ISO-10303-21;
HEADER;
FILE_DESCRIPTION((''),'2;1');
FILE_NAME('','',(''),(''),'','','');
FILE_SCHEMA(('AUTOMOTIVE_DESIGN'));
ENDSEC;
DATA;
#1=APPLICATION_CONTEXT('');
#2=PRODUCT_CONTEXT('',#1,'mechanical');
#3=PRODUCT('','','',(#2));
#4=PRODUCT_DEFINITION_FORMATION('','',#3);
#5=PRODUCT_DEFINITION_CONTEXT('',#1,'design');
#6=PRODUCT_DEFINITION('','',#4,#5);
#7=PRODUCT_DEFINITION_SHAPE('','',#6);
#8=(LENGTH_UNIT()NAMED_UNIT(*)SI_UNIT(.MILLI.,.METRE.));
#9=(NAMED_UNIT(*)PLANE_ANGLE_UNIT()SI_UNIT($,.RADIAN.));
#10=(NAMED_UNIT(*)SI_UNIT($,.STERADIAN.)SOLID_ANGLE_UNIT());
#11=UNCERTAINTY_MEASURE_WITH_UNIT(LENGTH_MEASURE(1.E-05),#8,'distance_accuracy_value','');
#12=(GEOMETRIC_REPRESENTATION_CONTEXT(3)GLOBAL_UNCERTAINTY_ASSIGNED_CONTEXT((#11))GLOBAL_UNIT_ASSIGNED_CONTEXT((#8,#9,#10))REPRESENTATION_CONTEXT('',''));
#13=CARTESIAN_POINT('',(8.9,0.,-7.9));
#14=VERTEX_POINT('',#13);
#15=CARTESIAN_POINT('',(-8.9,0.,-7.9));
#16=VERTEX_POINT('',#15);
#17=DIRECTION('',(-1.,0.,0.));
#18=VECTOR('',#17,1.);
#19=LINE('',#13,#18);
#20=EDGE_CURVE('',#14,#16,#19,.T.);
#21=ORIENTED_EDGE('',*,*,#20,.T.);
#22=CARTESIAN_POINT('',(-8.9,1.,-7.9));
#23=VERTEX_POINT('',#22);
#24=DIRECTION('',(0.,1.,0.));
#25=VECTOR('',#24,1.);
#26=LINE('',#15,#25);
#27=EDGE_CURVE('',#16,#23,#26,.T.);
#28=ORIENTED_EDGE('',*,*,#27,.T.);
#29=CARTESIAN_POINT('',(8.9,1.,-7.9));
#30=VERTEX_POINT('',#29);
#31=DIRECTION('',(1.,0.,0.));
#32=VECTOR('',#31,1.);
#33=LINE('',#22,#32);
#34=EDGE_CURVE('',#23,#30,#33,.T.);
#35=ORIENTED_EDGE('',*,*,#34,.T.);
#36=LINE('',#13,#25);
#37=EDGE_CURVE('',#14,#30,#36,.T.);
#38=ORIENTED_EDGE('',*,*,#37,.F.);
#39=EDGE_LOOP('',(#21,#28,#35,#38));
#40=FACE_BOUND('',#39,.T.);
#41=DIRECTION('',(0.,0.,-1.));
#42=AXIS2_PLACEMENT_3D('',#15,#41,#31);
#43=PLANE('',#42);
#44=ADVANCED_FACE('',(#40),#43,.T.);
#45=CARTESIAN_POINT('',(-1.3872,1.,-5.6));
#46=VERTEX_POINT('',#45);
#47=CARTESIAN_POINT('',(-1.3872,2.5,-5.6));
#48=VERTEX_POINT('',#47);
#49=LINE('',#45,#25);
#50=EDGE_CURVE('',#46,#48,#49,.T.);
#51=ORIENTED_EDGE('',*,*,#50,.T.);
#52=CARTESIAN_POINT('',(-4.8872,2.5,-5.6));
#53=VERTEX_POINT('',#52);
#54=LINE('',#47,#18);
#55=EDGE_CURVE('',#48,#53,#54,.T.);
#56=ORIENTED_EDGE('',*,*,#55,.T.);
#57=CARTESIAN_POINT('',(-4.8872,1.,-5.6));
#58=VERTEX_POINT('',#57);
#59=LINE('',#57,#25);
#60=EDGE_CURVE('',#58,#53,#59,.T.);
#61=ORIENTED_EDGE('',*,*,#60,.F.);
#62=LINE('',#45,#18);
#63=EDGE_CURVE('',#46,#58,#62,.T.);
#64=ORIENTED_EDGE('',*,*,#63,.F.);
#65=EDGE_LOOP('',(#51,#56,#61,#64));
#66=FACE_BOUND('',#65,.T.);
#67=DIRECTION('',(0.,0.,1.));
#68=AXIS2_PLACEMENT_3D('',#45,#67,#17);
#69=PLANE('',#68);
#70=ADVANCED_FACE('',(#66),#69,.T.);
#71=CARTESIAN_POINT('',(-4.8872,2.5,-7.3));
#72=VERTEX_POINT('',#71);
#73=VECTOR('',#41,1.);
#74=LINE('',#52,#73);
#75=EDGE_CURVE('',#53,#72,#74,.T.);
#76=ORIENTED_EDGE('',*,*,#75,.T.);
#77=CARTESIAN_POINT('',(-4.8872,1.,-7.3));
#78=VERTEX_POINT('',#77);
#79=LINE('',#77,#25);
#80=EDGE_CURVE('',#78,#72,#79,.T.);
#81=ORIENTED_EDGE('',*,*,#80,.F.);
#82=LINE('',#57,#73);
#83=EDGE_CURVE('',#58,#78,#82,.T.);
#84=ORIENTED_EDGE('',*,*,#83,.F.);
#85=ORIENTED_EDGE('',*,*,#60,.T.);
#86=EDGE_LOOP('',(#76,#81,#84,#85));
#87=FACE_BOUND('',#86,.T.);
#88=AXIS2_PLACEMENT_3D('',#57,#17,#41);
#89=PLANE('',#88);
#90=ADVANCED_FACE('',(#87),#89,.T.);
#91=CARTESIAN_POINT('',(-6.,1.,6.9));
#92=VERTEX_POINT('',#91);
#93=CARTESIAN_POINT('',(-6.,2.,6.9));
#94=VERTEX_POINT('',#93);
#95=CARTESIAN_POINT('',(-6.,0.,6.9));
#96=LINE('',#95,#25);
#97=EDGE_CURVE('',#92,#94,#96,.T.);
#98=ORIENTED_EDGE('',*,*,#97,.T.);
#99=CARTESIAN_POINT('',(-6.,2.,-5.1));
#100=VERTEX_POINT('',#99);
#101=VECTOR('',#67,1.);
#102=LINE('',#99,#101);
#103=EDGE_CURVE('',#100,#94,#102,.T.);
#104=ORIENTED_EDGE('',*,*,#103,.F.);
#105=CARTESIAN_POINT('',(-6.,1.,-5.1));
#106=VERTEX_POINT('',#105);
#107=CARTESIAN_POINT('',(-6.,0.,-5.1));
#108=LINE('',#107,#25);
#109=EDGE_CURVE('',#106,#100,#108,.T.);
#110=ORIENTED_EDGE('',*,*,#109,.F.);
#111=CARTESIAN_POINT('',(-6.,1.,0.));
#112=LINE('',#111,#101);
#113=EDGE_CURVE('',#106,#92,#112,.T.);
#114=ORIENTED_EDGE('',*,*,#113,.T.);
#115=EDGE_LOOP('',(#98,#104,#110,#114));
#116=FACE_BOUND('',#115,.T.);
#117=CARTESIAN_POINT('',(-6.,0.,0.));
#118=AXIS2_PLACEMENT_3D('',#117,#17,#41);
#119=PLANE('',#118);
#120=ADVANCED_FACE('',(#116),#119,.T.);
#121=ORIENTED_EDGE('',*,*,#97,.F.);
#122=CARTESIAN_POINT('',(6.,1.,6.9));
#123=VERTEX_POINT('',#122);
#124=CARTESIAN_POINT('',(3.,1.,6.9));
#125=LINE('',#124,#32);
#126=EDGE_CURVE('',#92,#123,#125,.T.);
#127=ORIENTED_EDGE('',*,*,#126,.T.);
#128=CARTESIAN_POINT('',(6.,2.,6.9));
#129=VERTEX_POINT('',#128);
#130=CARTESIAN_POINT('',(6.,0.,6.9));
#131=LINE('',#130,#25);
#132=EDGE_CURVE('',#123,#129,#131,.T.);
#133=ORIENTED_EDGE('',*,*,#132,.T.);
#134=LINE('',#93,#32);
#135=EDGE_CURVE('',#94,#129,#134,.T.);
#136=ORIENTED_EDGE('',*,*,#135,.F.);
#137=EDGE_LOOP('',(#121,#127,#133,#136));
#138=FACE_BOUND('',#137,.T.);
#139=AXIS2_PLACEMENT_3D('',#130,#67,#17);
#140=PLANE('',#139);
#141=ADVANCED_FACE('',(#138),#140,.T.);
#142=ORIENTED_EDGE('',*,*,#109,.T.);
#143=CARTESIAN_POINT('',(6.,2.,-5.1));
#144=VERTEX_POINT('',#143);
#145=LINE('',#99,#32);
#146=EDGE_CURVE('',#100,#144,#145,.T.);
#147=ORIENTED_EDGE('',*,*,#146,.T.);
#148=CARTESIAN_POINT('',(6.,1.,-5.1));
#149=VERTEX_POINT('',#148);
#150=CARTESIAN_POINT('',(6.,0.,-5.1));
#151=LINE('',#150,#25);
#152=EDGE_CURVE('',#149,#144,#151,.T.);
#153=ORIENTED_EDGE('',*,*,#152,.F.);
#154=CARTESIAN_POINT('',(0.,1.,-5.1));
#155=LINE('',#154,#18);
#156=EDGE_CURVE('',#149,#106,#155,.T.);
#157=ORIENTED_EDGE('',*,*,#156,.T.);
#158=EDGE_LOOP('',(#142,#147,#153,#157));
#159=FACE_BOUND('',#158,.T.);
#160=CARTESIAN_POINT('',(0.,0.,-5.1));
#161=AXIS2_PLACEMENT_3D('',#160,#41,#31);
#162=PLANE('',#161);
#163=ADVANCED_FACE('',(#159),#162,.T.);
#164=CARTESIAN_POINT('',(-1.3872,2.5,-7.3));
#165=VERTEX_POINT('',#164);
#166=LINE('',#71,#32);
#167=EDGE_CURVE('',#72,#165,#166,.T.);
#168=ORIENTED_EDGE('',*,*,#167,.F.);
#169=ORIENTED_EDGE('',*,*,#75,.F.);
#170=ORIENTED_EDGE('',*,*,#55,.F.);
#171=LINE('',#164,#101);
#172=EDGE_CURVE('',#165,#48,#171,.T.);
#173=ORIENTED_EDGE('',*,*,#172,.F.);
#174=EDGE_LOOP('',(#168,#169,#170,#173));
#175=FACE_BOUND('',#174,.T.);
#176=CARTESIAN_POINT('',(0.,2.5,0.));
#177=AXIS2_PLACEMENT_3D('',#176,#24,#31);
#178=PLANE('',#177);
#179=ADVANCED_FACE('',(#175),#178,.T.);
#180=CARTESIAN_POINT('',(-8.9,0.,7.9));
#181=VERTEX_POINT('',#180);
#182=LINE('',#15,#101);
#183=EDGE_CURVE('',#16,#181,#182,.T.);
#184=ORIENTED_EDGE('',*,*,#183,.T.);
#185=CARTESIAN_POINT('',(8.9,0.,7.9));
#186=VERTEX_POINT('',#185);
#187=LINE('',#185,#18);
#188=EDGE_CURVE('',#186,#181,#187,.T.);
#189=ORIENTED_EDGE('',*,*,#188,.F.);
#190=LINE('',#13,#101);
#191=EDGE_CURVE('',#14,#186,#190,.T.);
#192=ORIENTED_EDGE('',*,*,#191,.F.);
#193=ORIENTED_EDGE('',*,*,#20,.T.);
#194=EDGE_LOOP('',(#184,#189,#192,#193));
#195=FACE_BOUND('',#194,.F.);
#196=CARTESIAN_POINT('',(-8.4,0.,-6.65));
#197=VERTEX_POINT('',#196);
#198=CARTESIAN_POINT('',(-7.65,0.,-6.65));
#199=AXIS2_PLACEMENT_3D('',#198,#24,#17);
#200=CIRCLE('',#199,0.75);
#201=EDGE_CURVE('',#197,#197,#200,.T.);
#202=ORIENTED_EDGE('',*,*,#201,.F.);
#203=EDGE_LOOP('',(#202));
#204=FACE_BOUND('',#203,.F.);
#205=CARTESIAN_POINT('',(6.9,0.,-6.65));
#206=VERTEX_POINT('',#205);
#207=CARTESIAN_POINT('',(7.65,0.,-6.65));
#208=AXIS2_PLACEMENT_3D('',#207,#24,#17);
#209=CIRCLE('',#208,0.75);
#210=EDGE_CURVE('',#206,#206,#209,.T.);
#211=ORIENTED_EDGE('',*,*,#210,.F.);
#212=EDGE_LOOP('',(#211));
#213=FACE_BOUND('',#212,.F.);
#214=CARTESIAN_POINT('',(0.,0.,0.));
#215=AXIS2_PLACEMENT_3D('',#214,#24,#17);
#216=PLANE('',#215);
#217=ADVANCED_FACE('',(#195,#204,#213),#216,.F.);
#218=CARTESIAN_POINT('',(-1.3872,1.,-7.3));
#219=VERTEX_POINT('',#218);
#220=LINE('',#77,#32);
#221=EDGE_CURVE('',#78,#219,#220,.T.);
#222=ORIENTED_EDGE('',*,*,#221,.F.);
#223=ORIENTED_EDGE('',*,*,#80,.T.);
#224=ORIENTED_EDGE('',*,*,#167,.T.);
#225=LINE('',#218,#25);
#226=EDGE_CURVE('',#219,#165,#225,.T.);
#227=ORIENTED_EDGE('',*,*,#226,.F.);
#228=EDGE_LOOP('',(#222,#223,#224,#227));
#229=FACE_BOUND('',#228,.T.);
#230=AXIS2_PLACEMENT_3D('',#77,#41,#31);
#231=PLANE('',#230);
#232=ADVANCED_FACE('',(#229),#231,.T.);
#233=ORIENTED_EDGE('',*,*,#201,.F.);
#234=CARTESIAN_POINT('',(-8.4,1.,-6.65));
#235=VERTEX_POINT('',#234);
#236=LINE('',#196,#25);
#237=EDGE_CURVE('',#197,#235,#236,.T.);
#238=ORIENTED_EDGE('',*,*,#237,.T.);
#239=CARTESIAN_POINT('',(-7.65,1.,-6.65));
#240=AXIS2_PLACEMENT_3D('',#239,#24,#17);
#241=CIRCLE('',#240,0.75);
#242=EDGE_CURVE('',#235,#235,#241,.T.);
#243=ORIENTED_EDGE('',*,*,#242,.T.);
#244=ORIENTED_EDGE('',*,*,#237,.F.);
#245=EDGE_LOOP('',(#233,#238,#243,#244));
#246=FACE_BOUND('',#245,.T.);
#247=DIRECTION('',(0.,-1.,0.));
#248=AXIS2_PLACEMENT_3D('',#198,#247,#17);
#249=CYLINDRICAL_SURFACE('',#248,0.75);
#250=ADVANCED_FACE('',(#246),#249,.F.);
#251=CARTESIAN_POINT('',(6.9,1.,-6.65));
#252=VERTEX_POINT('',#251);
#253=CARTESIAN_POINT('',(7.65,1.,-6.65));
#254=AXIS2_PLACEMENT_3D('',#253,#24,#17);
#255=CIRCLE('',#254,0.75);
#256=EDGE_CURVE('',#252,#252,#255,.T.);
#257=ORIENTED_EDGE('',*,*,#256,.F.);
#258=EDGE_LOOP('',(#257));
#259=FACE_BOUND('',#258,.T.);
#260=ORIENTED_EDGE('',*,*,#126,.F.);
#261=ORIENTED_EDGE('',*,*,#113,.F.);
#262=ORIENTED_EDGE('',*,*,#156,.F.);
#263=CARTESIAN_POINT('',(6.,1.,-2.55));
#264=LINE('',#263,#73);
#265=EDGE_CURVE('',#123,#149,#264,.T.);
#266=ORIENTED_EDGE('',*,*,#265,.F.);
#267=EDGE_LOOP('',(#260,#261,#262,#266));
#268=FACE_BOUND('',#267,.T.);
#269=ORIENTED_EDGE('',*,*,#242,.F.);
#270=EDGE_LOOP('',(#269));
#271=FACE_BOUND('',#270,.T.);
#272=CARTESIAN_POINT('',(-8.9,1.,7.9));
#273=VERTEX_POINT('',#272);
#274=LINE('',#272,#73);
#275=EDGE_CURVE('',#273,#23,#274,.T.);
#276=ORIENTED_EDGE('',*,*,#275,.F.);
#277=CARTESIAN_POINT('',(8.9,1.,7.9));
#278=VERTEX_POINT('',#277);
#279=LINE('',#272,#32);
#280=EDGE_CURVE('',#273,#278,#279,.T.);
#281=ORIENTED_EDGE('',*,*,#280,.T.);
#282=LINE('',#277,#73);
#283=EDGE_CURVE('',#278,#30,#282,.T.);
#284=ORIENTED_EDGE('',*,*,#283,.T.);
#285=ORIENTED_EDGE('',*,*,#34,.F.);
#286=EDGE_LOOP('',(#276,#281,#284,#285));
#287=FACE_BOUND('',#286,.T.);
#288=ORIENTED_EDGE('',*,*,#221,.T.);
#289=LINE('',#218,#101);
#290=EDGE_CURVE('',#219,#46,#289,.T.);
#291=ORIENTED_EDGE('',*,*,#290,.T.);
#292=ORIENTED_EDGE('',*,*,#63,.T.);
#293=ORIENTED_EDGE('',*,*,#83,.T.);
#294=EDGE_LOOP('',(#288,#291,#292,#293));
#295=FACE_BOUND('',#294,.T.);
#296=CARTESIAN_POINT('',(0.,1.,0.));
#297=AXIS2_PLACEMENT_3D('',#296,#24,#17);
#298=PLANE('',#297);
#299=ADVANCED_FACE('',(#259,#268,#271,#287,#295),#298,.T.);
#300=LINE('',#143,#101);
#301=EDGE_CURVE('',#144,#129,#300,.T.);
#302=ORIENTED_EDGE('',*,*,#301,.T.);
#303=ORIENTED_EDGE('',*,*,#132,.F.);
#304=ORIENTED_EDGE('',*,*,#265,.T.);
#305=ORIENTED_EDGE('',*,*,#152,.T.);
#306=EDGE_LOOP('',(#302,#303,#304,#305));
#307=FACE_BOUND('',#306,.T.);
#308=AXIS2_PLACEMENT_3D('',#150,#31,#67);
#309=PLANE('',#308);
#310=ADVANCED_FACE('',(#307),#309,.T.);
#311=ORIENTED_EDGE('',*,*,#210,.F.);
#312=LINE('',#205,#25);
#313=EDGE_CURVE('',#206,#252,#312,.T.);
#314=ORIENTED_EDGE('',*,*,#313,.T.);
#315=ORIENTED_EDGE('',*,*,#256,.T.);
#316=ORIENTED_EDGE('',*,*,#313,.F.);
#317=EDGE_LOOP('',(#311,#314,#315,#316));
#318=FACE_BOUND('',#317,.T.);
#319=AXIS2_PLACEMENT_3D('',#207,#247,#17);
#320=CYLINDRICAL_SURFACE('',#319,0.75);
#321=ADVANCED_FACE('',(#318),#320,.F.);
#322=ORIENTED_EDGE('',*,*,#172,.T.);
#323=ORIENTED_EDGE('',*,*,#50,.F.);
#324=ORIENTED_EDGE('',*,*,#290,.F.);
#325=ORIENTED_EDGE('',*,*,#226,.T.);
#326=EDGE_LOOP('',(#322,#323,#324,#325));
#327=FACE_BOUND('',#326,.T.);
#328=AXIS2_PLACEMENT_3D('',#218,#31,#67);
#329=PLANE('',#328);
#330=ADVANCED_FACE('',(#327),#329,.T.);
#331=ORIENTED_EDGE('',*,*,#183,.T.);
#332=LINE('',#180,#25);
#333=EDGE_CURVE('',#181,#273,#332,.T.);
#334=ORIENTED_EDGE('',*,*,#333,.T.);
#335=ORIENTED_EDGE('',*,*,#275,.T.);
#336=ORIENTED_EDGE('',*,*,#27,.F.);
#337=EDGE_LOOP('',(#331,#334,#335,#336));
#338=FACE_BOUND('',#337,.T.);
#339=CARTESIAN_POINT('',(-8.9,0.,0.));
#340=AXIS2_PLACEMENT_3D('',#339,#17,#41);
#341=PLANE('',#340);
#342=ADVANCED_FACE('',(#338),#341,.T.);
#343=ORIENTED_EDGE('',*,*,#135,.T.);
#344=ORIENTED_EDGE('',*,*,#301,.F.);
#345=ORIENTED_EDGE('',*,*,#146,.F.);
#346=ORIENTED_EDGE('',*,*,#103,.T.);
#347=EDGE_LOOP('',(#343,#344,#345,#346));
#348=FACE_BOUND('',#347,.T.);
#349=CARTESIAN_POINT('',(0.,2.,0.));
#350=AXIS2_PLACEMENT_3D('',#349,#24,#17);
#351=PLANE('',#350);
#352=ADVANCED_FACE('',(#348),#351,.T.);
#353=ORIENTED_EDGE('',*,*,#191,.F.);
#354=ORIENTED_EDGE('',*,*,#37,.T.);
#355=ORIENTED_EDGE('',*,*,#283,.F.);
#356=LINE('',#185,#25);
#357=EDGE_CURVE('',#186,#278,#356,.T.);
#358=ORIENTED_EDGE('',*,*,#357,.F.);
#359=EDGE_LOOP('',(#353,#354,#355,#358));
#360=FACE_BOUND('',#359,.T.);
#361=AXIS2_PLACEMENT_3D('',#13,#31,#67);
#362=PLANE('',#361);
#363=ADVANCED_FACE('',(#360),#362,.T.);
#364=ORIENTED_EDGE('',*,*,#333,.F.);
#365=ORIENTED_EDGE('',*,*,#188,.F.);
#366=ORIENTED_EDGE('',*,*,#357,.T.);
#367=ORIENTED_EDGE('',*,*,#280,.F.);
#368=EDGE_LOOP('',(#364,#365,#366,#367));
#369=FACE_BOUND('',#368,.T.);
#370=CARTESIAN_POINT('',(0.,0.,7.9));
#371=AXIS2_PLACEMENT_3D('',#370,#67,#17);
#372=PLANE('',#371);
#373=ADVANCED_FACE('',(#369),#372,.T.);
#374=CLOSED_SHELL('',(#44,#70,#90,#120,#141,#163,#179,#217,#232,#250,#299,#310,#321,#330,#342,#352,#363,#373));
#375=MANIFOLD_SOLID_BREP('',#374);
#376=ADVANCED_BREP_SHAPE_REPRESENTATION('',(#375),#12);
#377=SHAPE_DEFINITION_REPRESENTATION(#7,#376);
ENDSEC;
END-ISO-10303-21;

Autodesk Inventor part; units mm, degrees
ref_plane "YZ Plane" through (0, 0, 0) normal (1, 0, 0) x (0, 1, 0)
ref_plane "XZ Plane" through (0, 0, 0) normal (0, 1, 0) x (-1, 0, 0)
ref_plane "XY Plane" through (0, 0, 0) normal (0, 0, 1) x (1, 0, 0)
sketch "Skizze1" plane through (0, 0, 0) normal (0, 1, 0) x (-1, 0, 0)
  line L0 (8.9, -7.9) -> (-8.9, -7.9)
  line L1 (-8.9, -7.9) -> (-8.9, 7.9)
  line L2 (-8.9, 7.9) -> (8.9, 7.9)
  line L3 (8.9, 7.9) -> (8.9, -7.9)
  line L4 (12.46, 0) -> (-12.46, 0) projected
  line L5 (0, -11.06) -> (0, 11.06) projected
  line L6 (6, -5.1) -> (-6, -5.1)
  line L7 (-6, -5.1) -> (-6, 6.9)
  line L8 (-6, 6.9) -> (6, 6.9)
  line L9 (6, 6.9) -> (6, -5.1)
  circle A0 centre (7.65, -6.65) radius 0.75
  circle A1 centre (-7.65, -6.65) radius 0.75
  dimension "d0" = 17.8
  dimension "d1" = 15.8
  dimension "d3" = 12
  dimension "d4" = 12
  dimension "d5" = 1
  dimension "d15" = 1.5
  dimension "d16" = 1.25
  dimension "d17" = 1.25
extrude "Extrusion1" add sketch "Skizze1" along normal blind 1 contours L0 L5 L6 L9 L4 L3 | L0 L1 L4 L7 L6 L5 | L4 L9 L8 L5 L2 L3 | L6 L7 L4 L5 | L5 L4 L9 L6 | L4 L5 L8 L9 | L1 L2 L5 L8 L7 L4 | L4 L7 L8 L5 | A0 | A1
extrude "Extrusion2" add sketch "Skizze1" along normal blind 2 contours L6 L7 L4 L5 | L5 L4 L9 L6 | L4 L5 L8 L9 | L4 L7 L8 L5
sketch "Skizze2" plane through (0, 1, 0) normal (0, 1, 0) x (1, 0, 0)
  line L0 (-4.8872, 7.3) -> (-1.3872, 7.3)
  line L1 (-1.3872, 7.3) -> (-1.3872, 5.6)
  line L2 (-1.3872, 5.6) -> (-4.8872, 5.6)
  line L3 (-4.8872, 5.6) -> (-4.8872, 7.3)
  line L4 (6, 5.1) -> (-6, 5.1) projected
  point P0 (0, 0)
  dimension "d10" = 3.5
  dimension "d11" = 1.7
  dimension "d12" = 0.5
extrude "Extrusion3" add sketch "Skizze2" along normal blind 1.5
extrude "Extrusion4" cut sketch "Skizze1" along normal blind 1 contours A0 | A1
properties part number "GSMModul"
